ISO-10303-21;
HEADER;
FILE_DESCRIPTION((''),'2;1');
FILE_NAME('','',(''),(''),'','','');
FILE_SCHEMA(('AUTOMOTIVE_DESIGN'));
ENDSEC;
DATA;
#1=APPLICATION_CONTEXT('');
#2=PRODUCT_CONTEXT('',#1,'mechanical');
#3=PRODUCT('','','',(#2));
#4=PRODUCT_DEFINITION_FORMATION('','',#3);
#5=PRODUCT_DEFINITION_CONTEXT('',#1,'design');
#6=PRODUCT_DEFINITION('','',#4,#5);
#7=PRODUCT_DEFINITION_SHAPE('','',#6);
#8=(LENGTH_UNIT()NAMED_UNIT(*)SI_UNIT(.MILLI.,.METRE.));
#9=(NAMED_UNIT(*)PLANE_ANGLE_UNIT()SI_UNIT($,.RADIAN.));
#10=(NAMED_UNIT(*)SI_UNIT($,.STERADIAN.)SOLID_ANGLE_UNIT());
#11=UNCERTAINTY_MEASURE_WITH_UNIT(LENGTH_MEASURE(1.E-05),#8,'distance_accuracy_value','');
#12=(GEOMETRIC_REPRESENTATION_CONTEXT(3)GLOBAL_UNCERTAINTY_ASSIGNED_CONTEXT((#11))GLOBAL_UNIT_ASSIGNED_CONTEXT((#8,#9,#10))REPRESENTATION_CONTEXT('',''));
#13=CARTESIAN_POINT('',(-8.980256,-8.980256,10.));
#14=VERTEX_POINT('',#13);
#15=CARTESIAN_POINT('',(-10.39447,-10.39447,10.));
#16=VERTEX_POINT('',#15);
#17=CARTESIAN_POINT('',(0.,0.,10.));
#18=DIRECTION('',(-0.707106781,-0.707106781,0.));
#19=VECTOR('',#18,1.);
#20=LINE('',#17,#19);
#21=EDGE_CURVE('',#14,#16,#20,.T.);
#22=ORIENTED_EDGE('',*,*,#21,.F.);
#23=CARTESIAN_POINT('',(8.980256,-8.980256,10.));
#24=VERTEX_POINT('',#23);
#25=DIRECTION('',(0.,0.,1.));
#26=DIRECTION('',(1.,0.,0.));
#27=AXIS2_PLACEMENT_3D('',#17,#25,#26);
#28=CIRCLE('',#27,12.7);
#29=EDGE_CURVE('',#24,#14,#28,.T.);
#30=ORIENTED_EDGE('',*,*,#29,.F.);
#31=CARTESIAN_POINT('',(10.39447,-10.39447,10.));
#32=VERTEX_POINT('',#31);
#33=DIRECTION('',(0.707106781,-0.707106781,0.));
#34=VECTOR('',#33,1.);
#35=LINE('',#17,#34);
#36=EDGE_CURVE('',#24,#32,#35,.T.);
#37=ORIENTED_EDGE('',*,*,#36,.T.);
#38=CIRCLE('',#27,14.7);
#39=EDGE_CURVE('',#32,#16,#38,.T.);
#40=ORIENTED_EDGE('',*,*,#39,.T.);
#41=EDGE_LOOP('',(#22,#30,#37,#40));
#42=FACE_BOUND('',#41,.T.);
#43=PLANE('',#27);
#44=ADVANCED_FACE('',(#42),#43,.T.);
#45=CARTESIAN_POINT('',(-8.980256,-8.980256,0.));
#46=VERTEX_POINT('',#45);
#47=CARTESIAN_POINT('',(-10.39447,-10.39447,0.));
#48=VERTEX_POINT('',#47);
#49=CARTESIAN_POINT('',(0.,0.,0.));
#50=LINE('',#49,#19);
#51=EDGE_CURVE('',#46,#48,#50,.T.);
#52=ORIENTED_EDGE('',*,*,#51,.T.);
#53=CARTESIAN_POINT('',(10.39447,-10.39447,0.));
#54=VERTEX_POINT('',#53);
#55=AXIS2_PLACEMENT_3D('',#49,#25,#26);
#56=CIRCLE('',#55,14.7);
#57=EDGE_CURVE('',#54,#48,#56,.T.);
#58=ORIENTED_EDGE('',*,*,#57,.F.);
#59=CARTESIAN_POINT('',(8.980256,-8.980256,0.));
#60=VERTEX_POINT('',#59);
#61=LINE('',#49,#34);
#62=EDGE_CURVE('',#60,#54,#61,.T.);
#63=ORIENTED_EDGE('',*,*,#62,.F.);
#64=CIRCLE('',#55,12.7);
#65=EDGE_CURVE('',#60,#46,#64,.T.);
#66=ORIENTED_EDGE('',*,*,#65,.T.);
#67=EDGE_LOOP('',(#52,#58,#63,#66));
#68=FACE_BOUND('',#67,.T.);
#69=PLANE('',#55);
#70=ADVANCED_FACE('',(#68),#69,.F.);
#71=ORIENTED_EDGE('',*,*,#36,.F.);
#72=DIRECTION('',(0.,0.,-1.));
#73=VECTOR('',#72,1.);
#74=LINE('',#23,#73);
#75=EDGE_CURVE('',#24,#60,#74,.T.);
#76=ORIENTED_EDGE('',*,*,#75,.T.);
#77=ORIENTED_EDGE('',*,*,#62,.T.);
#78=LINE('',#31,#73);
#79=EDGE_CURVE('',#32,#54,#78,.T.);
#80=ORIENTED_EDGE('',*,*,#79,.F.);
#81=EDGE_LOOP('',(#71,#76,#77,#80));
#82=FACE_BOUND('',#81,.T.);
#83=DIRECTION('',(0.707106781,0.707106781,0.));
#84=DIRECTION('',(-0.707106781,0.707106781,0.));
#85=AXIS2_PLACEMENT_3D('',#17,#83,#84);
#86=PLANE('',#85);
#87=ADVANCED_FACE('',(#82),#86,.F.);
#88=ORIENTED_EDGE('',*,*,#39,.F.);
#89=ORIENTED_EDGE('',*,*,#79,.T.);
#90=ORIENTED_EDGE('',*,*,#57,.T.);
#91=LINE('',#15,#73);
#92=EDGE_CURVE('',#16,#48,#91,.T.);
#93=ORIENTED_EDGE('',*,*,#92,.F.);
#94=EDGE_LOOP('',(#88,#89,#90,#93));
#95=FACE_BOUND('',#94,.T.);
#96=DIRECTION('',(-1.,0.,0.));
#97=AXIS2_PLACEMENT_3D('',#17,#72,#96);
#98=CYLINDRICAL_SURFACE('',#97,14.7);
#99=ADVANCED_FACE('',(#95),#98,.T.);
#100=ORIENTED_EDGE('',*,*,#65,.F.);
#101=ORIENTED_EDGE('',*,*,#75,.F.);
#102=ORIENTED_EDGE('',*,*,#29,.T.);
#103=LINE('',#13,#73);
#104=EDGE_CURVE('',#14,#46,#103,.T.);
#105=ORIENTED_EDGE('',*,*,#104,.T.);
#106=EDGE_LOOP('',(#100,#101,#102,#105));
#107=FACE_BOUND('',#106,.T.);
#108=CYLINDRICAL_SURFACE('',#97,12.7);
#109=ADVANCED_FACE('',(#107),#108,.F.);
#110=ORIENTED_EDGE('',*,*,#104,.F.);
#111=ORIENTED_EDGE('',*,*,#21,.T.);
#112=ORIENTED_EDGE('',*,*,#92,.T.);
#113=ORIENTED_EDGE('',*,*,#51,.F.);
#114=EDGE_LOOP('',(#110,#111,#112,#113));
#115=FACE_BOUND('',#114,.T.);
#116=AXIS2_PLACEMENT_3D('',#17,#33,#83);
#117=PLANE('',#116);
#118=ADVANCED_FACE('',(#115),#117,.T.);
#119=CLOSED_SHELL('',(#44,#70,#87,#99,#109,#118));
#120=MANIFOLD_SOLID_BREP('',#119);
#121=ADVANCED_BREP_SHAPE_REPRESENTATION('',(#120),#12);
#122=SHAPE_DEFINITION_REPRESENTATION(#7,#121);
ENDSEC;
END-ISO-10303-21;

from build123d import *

# Parameters (mm, degrees)
EXTRUDE_1_DEPTH = 10


with BuildPart() as part:
    # 스케치1 → 보스-돌출1 (new body)
    with BuildSketch(Plane.XY):
        with BuildLine():
            Line((-10.394469683, -10.394469683), (-8.980256121, -8.980256121))
            ThreePointArc((-8.980256121, -8.980256121), (-4.860079591, 11.733270063), (12.7, 0))
            ThreePointArc((12.7, 0), (11.733270063, -4.860079591), (8.980256121, -8.980256121))
            Line((8.980256121, -8.980256121), (10.394469683, -10.394469683))
            ThreePointArc((10.394469683, -10.394469683), (13.581029128, -5.625446456), (14.7, 0))
            ThreePointArc((14.7, 0), (-5.625446456, 13.581029128), (-10.394469683, -10.394469683))
        make_face()
    extrude(amount=EXTRUDE_1_DEPTH)


solid = part.part
